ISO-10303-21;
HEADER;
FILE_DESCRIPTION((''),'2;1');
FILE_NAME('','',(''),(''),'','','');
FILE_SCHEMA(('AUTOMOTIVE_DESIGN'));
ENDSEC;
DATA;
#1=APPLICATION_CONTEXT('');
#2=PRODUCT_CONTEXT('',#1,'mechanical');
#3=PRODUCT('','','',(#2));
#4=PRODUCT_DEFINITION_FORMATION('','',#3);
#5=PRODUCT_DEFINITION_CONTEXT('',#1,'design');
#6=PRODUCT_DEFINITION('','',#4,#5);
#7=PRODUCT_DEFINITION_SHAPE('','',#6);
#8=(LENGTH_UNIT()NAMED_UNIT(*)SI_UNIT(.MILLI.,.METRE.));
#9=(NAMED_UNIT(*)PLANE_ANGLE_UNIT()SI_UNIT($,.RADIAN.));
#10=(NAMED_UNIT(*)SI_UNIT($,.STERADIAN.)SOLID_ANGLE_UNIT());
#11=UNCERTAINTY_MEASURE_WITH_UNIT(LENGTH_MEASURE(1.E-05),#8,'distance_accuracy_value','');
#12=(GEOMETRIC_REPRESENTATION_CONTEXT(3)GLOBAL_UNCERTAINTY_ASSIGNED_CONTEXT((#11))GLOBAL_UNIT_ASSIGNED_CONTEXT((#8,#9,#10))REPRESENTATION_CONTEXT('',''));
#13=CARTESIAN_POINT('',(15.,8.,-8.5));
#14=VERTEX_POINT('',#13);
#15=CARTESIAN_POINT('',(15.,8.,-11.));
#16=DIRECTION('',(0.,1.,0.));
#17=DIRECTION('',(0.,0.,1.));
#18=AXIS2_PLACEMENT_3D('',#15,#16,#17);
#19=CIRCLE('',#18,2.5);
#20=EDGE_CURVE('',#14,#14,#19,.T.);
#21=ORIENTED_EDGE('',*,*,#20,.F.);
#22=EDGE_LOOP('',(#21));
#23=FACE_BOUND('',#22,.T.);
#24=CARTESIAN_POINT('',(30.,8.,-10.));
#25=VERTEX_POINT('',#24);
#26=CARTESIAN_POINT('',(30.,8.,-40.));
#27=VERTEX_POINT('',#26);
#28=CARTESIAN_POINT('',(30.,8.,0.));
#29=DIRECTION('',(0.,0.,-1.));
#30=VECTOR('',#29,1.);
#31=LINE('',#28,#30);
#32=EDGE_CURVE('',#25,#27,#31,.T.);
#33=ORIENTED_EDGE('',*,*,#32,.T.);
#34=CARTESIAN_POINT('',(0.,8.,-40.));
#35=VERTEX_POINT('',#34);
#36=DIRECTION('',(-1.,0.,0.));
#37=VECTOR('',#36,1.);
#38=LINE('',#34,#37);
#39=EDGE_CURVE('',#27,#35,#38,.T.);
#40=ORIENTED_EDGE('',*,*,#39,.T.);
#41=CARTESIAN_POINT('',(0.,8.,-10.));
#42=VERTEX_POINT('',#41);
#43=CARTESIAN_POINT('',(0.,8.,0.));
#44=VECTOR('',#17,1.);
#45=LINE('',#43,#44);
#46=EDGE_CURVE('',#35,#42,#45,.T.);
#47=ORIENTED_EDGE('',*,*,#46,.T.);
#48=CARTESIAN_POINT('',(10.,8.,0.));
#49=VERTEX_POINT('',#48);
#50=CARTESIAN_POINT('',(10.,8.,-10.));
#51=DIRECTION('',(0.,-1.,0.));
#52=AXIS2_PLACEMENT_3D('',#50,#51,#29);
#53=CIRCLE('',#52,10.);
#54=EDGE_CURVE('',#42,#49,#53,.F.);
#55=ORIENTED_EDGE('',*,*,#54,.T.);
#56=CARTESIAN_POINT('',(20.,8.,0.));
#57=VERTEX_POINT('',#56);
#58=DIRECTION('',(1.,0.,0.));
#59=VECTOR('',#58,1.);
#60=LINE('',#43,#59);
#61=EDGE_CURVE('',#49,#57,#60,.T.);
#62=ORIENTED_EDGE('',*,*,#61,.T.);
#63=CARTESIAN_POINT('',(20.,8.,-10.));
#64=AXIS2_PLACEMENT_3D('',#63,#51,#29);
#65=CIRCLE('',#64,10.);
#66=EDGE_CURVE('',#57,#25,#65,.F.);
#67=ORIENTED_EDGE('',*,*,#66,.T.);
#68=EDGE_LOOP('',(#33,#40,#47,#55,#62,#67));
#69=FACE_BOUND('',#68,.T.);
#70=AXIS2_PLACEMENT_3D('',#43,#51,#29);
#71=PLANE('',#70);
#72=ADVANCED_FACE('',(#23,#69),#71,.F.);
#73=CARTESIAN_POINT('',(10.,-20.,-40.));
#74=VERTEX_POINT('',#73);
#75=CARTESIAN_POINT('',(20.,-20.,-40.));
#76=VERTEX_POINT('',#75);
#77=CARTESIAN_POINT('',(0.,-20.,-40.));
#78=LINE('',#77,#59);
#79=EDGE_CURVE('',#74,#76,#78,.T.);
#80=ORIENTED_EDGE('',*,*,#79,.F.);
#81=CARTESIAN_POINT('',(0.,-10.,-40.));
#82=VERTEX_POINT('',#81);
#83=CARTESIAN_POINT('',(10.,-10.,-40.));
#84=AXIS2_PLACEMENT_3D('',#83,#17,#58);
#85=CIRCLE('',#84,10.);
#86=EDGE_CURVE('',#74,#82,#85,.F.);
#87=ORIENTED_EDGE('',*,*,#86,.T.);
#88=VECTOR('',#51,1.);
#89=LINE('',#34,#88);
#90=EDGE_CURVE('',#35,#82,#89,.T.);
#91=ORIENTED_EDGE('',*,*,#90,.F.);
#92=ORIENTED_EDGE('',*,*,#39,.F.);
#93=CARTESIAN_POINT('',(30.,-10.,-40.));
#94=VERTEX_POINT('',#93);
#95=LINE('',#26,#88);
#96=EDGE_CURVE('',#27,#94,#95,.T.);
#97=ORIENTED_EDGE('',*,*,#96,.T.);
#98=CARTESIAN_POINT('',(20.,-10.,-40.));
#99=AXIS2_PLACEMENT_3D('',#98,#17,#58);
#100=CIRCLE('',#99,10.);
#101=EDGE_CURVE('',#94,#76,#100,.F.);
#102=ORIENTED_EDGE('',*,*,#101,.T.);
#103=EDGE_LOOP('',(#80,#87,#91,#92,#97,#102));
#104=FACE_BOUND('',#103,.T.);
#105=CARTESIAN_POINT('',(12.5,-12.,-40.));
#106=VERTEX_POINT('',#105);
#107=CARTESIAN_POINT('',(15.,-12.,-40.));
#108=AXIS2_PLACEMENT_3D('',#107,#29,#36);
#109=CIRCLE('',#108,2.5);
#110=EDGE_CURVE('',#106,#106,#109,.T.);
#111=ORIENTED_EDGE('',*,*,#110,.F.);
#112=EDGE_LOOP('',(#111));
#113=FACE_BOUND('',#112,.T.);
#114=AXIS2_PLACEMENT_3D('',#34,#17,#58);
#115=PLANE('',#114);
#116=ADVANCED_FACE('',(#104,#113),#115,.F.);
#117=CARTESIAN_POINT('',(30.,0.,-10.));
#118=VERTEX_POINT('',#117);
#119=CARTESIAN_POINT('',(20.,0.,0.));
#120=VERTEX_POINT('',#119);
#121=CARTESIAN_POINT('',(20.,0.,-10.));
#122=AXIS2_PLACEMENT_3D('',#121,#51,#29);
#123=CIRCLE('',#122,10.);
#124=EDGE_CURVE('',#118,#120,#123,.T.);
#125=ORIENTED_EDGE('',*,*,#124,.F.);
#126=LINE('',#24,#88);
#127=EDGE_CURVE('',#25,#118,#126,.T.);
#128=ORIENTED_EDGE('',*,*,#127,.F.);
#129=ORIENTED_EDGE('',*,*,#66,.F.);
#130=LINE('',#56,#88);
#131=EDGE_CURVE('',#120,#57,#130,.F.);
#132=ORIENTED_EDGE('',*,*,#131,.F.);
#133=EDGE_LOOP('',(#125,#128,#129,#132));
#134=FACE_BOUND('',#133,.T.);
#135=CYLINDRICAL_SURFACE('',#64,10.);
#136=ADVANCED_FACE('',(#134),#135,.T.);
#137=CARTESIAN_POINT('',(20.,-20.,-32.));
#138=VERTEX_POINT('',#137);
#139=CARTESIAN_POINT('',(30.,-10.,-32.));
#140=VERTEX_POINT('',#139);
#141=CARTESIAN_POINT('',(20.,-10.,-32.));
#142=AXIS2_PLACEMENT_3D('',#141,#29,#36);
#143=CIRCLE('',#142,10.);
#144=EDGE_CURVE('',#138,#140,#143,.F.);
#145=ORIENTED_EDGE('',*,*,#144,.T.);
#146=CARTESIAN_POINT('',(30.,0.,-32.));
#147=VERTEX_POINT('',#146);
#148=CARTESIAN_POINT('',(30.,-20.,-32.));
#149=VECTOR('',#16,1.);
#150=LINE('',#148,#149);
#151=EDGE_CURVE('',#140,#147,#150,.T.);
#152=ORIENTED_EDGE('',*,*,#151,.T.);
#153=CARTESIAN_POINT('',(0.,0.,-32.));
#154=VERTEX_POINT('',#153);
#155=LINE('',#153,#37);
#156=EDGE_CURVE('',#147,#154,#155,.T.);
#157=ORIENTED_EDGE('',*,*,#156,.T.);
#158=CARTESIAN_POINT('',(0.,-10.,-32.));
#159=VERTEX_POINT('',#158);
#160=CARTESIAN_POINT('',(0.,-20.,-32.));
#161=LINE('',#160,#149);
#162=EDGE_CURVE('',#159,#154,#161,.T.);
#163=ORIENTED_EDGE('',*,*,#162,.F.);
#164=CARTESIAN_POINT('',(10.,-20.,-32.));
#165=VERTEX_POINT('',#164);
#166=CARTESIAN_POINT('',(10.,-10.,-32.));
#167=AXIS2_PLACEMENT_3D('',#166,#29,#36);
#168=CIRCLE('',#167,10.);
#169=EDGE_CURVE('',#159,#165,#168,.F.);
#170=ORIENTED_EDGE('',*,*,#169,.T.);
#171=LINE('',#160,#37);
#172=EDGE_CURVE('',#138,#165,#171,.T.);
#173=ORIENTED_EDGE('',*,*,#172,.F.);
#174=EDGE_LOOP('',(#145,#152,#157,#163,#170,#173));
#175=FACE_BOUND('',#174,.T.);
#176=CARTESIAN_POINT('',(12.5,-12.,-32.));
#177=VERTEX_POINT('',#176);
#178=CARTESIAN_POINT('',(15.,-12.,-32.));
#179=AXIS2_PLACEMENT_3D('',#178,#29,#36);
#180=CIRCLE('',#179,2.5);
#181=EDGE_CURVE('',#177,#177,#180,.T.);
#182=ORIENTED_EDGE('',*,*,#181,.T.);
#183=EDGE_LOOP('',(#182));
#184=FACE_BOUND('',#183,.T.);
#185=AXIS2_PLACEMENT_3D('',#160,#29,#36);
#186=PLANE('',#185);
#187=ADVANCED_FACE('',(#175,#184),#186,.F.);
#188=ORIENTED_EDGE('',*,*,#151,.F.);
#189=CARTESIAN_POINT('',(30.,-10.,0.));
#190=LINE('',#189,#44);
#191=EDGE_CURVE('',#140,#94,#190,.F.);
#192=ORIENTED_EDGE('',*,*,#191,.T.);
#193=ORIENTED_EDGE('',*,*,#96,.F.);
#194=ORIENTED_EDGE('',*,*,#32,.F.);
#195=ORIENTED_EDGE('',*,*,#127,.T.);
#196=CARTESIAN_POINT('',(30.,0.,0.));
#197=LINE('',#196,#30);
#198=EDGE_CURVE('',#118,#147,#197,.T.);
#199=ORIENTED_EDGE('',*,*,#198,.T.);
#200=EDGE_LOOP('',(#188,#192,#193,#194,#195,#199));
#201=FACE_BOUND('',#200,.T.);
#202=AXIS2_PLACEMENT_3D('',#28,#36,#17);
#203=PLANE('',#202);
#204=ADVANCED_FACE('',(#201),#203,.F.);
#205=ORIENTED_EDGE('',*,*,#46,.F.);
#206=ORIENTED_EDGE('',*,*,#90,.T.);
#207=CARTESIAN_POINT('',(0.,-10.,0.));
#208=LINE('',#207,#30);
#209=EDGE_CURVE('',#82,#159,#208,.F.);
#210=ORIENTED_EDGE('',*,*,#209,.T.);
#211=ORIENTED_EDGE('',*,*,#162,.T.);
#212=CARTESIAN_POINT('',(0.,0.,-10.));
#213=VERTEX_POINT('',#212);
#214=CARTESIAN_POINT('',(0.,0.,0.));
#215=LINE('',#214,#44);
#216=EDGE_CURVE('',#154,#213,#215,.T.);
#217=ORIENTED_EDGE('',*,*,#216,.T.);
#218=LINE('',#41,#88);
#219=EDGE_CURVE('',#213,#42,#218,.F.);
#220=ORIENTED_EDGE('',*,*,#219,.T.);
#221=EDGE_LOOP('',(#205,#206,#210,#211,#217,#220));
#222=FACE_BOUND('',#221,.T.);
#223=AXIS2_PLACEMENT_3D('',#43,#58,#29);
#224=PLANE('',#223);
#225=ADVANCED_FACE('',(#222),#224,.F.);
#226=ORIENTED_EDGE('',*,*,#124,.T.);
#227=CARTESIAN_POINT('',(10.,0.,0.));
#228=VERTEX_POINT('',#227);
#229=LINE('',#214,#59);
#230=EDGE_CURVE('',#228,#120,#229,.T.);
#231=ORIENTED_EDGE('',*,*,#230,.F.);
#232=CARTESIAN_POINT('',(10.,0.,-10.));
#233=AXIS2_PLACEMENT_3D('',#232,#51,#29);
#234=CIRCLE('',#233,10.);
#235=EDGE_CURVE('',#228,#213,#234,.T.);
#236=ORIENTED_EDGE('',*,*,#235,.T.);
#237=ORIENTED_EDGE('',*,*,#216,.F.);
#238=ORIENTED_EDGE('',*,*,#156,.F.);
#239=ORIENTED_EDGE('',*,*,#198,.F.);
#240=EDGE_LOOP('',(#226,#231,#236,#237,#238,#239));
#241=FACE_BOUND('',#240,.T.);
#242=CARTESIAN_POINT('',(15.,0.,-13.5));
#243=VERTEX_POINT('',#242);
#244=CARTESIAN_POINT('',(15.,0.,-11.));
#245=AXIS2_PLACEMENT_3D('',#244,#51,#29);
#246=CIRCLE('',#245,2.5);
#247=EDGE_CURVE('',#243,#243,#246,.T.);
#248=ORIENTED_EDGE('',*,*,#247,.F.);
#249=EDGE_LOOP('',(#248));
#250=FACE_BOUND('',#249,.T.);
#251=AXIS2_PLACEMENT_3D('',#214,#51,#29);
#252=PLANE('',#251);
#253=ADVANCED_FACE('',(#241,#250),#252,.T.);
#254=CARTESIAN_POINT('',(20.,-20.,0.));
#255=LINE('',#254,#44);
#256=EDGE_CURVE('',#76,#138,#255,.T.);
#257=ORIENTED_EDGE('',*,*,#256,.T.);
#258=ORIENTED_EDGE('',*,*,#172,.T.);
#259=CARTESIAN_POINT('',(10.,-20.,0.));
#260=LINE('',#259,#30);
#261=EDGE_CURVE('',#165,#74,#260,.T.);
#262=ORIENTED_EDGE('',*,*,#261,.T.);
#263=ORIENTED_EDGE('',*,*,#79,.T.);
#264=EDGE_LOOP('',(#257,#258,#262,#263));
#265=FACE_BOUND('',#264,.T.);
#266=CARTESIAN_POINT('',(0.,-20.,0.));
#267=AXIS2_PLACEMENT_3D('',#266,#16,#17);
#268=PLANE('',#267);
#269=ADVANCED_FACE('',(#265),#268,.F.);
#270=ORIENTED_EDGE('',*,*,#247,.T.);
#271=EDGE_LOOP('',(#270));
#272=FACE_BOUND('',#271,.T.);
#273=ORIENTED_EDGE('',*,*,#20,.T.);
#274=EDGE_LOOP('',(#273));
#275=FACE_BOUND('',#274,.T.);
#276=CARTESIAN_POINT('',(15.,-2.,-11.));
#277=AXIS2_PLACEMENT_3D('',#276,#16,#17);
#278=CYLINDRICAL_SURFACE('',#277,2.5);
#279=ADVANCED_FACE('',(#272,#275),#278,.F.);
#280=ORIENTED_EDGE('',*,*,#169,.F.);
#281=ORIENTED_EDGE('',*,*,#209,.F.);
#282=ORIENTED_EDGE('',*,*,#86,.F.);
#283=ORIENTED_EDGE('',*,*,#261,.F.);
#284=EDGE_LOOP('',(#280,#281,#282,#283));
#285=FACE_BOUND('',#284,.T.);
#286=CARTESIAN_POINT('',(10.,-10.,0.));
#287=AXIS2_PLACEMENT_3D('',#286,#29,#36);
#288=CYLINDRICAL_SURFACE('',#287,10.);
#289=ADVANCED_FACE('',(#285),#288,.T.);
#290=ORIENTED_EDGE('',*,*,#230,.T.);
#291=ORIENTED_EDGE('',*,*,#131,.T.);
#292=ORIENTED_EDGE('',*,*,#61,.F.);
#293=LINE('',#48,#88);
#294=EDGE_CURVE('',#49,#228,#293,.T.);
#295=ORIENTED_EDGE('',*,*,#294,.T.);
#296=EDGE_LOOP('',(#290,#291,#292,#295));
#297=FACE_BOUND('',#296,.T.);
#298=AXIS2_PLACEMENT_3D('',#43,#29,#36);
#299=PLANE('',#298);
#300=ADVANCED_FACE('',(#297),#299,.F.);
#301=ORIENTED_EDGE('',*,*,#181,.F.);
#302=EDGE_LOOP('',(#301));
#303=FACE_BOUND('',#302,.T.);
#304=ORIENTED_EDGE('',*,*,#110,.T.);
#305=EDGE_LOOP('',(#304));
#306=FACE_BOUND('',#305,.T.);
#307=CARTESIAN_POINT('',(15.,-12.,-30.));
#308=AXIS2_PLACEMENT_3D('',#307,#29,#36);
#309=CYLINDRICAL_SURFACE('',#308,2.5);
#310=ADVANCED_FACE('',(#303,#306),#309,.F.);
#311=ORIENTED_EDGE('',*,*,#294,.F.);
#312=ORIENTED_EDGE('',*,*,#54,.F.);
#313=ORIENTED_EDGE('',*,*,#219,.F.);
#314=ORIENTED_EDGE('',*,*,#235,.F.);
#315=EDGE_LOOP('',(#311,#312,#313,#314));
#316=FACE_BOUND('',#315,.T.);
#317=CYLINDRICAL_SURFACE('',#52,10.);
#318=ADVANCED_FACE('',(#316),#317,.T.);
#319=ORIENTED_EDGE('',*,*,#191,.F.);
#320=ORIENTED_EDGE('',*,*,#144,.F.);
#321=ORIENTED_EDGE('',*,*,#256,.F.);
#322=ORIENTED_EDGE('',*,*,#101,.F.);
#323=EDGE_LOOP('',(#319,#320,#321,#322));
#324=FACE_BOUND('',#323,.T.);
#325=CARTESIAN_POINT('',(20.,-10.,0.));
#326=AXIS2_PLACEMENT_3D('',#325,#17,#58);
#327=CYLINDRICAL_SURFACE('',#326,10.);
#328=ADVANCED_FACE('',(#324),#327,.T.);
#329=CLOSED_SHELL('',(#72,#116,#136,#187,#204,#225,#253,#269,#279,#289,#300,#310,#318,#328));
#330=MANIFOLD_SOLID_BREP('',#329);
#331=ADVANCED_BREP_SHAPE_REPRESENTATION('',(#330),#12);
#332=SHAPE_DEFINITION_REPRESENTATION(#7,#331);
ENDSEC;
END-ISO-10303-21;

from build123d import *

# Parameters (mm, degrees)
SKETCH1_W           = 30
SKETCH1_H           = 40
BOSS_EXTRUDE1_DEPTH = 8
SKETCH2_W           = 30
SKETCH2_H           = 8
BOSS_EXTRUDE2_DEPTH = 20
SKETCH3_R           = 2.5
CUT_EXTRUDE1_DEPTH  = 10
SKETCH4_R           = 2.5
CUT_EXTRUDE2_DEPTH  = 10
FILLET2_R           = 10


with BuildPart() as part:
    # Sketch1 → Boss-Extrude1 (new body)
    with BuildSketch(Plane(origin=(0, 0, 0), x_dir=(1, 0, 0), z_dir=(0, 1, 0))):
        with Locations((15, 20)):
            Rectangle(SKETCH1_W, SKETCH1_H)
    extrude(amount=BOSS_EXTRUDE1_DEPTH)

    # Sketch2 → Boss-Extrude2 (add)
    with BuildSketch(Plane.XZ):
        with Locations((15, -36)):
            Rectangle(SKETCH2_W, SKETCH2_H)
    extrude(amount=BOSS_EXTRUDE2_DEPTH)

    # Sketch3 → Cut-Extrude1 (cut)
    with BuildSketch(Plane(origin=(0, 8, 0), x_dir=(1, 0, 0), z_dir=(0, 1, 0))):
        with Locations((15, 11)):
            Circle(SKETCH3_R)
    extrude(amount=-CUT_EXTRUDE1_DEPTH, mode=Mode.SUBTRACT)

    # Sketch4 → Cut-Extrude2 (cut)
    with BuildSketch(Plane(origin=(0, 0, -40), x_dir=(-1, 0, 0), z_dir=(0, 0, -1))):
        with Locations((-15, -12)):
            Circle(SKETCH4_R)
    extrude(amount=-CUT_EXTRUDE2_DEPTH, mode=Mode.SUBTRACT)

    # Fillet2
    fillet2_edges = [part.edges().sort_by_distance(p)[0] for p in [
        (0, -20, -36),
        (30, -20, -36),
        (30, 4, 0),
        (0, 4, 0),
    ]]
    fillet(fillet2_edges, radius=FILLET2_R)


solid = part.part
